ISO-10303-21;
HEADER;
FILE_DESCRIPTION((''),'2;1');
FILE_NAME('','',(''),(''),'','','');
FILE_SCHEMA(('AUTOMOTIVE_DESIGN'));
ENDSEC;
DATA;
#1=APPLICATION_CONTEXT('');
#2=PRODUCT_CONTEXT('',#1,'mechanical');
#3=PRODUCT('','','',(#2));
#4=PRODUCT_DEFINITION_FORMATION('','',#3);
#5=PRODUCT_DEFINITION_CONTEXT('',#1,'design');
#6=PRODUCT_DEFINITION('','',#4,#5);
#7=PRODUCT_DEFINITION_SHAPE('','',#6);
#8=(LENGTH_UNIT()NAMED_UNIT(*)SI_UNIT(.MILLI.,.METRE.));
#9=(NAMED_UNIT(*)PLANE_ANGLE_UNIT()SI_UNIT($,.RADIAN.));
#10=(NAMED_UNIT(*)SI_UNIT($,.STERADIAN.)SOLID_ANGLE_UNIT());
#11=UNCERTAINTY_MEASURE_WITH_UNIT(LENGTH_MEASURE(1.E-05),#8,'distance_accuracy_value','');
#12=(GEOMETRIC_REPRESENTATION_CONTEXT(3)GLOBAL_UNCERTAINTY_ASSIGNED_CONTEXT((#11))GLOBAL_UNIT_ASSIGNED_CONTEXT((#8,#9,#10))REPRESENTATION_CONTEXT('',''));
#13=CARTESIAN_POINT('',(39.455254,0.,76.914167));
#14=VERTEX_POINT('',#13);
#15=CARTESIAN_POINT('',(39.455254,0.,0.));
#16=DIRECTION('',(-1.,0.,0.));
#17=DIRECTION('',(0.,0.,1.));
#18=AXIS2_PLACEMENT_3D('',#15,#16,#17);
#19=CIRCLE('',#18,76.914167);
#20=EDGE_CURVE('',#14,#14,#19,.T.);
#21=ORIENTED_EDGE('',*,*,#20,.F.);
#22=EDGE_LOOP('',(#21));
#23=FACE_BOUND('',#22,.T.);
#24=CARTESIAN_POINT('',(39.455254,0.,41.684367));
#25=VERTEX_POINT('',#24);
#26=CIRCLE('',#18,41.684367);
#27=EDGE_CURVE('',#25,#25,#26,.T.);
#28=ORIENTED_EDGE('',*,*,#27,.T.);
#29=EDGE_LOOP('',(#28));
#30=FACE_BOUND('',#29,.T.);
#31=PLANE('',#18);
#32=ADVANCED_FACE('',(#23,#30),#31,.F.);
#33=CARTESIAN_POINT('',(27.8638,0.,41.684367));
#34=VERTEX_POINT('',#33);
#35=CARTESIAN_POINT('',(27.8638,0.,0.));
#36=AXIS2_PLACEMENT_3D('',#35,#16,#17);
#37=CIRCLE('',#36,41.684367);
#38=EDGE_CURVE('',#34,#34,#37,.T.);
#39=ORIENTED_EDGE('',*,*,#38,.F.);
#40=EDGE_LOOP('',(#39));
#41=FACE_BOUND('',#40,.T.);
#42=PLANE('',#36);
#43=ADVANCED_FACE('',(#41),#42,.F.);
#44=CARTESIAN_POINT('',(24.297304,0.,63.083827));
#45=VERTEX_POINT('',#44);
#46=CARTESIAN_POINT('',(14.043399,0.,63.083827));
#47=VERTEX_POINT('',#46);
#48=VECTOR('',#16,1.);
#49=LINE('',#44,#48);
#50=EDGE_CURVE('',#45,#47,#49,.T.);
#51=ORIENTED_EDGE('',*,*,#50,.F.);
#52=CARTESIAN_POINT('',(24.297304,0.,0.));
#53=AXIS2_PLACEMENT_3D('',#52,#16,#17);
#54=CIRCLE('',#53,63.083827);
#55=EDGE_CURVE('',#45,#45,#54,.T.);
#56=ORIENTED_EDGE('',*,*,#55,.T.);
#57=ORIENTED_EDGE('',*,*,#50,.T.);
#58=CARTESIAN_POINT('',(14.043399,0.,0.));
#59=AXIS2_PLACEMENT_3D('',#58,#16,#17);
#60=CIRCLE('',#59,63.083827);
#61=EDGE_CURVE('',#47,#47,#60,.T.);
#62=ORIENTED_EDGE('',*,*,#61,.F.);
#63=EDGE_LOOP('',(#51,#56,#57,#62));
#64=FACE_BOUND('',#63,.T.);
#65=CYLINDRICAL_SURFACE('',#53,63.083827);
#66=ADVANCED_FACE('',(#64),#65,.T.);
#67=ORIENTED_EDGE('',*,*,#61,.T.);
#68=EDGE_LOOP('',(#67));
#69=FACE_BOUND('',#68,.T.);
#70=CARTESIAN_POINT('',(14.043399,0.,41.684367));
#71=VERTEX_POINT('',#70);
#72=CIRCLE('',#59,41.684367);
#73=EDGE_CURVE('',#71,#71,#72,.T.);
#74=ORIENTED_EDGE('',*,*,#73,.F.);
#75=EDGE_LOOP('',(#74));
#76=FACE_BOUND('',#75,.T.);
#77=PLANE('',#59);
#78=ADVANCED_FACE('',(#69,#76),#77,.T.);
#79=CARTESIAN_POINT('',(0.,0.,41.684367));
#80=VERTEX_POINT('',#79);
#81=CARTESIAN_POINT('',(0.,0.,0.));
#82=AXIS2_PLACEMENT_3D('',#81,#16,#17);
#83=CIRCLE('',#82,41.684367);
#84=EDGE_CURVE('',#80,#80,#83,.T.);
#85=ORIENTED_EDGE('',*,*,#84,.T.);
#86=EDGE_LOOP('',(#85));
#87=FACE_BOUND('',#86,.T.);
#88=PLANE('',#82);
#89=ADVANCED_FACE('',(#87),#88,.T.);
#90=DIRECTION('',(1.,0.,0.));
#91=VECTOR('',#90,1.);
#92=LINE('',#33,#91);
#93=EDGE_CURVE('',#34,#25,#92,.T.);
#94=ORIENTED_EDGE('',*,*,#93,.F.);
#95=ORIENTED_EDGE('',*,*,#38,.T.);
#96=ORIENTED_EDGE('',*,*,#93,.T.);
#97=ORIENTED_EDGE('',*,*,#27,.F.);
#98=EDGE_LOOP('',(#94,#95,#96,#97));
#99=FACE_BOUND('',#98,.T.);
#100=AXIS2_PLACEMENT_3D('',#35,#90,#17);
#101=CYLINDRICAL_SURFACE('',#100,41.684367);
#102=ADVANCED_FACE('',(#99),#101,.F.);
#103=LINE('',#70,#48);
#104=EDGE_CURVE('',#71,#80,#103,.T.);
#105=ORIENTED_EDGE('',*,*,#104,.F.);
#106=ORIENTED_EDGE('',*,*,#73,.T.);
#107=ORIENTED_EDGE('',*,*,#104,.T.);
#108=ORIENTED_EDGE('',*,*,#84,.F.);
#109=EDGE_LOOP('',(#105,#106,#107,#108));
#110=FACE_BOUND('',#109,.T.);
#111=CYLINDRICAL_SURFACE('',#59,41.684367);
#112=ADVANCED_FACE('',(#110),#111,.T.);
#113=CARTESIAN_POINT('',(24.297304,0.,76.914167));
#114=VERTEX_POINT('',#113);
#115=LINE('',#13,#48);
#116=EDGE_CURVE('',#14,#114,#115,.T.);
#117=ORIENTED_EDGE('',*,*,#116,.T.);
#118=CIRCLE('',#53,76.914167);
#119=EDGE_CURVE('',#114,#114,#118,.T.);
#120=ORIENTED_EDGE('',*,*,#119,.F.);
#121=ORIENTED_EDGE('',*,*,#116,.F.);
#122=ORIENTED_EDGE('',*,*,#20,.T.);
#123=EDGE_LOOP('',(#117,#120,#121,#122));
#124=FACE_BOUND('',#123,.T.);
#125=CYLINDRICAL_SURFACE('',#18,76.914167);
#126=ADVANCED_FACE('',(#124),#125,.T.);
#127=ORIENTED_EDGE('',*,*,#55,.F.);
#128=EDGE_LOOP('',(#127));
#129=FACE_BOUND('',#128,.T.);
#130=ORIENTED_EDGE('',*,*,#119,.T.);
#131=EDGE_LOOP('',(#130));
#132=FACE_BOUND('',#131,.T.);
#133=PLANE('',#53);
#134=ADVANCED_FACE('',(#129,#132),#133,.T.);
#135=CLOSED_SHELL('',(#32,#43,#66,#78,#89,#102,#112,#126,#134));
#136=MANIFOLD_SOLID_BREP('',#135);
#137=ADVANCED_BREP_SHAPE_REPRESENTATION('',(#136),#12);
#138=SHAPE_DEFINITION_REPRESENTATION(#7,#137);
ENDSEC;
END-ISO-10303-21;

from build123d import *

# Parameters (mm, degrees)
F0_W = 27.8638
F0_H = 10.031


with BuildPart() as f1:
    # F0 (on Front) → F1 (revolve)
    with BuildSketch(Plane.XZ):
        with Locations((13.9319, 5.0155)):
            Rectangle(F0_W, F0_H)
        Polygon((0, 41.684367), (0, 10.031), (27.8638, 10.031), (27.8638, 41.684367), (39.455254, 41.684367), (39.455254, 76.914167), (24.297304, 76.914167), (24.297304, 63.083827), (14.043399, 63.083827), (14.043399, 41.684367), align=None)
    revolve(axis=Axis((13.9319, 0, 0), (-1, 0, 0)))


solid = f1.part
